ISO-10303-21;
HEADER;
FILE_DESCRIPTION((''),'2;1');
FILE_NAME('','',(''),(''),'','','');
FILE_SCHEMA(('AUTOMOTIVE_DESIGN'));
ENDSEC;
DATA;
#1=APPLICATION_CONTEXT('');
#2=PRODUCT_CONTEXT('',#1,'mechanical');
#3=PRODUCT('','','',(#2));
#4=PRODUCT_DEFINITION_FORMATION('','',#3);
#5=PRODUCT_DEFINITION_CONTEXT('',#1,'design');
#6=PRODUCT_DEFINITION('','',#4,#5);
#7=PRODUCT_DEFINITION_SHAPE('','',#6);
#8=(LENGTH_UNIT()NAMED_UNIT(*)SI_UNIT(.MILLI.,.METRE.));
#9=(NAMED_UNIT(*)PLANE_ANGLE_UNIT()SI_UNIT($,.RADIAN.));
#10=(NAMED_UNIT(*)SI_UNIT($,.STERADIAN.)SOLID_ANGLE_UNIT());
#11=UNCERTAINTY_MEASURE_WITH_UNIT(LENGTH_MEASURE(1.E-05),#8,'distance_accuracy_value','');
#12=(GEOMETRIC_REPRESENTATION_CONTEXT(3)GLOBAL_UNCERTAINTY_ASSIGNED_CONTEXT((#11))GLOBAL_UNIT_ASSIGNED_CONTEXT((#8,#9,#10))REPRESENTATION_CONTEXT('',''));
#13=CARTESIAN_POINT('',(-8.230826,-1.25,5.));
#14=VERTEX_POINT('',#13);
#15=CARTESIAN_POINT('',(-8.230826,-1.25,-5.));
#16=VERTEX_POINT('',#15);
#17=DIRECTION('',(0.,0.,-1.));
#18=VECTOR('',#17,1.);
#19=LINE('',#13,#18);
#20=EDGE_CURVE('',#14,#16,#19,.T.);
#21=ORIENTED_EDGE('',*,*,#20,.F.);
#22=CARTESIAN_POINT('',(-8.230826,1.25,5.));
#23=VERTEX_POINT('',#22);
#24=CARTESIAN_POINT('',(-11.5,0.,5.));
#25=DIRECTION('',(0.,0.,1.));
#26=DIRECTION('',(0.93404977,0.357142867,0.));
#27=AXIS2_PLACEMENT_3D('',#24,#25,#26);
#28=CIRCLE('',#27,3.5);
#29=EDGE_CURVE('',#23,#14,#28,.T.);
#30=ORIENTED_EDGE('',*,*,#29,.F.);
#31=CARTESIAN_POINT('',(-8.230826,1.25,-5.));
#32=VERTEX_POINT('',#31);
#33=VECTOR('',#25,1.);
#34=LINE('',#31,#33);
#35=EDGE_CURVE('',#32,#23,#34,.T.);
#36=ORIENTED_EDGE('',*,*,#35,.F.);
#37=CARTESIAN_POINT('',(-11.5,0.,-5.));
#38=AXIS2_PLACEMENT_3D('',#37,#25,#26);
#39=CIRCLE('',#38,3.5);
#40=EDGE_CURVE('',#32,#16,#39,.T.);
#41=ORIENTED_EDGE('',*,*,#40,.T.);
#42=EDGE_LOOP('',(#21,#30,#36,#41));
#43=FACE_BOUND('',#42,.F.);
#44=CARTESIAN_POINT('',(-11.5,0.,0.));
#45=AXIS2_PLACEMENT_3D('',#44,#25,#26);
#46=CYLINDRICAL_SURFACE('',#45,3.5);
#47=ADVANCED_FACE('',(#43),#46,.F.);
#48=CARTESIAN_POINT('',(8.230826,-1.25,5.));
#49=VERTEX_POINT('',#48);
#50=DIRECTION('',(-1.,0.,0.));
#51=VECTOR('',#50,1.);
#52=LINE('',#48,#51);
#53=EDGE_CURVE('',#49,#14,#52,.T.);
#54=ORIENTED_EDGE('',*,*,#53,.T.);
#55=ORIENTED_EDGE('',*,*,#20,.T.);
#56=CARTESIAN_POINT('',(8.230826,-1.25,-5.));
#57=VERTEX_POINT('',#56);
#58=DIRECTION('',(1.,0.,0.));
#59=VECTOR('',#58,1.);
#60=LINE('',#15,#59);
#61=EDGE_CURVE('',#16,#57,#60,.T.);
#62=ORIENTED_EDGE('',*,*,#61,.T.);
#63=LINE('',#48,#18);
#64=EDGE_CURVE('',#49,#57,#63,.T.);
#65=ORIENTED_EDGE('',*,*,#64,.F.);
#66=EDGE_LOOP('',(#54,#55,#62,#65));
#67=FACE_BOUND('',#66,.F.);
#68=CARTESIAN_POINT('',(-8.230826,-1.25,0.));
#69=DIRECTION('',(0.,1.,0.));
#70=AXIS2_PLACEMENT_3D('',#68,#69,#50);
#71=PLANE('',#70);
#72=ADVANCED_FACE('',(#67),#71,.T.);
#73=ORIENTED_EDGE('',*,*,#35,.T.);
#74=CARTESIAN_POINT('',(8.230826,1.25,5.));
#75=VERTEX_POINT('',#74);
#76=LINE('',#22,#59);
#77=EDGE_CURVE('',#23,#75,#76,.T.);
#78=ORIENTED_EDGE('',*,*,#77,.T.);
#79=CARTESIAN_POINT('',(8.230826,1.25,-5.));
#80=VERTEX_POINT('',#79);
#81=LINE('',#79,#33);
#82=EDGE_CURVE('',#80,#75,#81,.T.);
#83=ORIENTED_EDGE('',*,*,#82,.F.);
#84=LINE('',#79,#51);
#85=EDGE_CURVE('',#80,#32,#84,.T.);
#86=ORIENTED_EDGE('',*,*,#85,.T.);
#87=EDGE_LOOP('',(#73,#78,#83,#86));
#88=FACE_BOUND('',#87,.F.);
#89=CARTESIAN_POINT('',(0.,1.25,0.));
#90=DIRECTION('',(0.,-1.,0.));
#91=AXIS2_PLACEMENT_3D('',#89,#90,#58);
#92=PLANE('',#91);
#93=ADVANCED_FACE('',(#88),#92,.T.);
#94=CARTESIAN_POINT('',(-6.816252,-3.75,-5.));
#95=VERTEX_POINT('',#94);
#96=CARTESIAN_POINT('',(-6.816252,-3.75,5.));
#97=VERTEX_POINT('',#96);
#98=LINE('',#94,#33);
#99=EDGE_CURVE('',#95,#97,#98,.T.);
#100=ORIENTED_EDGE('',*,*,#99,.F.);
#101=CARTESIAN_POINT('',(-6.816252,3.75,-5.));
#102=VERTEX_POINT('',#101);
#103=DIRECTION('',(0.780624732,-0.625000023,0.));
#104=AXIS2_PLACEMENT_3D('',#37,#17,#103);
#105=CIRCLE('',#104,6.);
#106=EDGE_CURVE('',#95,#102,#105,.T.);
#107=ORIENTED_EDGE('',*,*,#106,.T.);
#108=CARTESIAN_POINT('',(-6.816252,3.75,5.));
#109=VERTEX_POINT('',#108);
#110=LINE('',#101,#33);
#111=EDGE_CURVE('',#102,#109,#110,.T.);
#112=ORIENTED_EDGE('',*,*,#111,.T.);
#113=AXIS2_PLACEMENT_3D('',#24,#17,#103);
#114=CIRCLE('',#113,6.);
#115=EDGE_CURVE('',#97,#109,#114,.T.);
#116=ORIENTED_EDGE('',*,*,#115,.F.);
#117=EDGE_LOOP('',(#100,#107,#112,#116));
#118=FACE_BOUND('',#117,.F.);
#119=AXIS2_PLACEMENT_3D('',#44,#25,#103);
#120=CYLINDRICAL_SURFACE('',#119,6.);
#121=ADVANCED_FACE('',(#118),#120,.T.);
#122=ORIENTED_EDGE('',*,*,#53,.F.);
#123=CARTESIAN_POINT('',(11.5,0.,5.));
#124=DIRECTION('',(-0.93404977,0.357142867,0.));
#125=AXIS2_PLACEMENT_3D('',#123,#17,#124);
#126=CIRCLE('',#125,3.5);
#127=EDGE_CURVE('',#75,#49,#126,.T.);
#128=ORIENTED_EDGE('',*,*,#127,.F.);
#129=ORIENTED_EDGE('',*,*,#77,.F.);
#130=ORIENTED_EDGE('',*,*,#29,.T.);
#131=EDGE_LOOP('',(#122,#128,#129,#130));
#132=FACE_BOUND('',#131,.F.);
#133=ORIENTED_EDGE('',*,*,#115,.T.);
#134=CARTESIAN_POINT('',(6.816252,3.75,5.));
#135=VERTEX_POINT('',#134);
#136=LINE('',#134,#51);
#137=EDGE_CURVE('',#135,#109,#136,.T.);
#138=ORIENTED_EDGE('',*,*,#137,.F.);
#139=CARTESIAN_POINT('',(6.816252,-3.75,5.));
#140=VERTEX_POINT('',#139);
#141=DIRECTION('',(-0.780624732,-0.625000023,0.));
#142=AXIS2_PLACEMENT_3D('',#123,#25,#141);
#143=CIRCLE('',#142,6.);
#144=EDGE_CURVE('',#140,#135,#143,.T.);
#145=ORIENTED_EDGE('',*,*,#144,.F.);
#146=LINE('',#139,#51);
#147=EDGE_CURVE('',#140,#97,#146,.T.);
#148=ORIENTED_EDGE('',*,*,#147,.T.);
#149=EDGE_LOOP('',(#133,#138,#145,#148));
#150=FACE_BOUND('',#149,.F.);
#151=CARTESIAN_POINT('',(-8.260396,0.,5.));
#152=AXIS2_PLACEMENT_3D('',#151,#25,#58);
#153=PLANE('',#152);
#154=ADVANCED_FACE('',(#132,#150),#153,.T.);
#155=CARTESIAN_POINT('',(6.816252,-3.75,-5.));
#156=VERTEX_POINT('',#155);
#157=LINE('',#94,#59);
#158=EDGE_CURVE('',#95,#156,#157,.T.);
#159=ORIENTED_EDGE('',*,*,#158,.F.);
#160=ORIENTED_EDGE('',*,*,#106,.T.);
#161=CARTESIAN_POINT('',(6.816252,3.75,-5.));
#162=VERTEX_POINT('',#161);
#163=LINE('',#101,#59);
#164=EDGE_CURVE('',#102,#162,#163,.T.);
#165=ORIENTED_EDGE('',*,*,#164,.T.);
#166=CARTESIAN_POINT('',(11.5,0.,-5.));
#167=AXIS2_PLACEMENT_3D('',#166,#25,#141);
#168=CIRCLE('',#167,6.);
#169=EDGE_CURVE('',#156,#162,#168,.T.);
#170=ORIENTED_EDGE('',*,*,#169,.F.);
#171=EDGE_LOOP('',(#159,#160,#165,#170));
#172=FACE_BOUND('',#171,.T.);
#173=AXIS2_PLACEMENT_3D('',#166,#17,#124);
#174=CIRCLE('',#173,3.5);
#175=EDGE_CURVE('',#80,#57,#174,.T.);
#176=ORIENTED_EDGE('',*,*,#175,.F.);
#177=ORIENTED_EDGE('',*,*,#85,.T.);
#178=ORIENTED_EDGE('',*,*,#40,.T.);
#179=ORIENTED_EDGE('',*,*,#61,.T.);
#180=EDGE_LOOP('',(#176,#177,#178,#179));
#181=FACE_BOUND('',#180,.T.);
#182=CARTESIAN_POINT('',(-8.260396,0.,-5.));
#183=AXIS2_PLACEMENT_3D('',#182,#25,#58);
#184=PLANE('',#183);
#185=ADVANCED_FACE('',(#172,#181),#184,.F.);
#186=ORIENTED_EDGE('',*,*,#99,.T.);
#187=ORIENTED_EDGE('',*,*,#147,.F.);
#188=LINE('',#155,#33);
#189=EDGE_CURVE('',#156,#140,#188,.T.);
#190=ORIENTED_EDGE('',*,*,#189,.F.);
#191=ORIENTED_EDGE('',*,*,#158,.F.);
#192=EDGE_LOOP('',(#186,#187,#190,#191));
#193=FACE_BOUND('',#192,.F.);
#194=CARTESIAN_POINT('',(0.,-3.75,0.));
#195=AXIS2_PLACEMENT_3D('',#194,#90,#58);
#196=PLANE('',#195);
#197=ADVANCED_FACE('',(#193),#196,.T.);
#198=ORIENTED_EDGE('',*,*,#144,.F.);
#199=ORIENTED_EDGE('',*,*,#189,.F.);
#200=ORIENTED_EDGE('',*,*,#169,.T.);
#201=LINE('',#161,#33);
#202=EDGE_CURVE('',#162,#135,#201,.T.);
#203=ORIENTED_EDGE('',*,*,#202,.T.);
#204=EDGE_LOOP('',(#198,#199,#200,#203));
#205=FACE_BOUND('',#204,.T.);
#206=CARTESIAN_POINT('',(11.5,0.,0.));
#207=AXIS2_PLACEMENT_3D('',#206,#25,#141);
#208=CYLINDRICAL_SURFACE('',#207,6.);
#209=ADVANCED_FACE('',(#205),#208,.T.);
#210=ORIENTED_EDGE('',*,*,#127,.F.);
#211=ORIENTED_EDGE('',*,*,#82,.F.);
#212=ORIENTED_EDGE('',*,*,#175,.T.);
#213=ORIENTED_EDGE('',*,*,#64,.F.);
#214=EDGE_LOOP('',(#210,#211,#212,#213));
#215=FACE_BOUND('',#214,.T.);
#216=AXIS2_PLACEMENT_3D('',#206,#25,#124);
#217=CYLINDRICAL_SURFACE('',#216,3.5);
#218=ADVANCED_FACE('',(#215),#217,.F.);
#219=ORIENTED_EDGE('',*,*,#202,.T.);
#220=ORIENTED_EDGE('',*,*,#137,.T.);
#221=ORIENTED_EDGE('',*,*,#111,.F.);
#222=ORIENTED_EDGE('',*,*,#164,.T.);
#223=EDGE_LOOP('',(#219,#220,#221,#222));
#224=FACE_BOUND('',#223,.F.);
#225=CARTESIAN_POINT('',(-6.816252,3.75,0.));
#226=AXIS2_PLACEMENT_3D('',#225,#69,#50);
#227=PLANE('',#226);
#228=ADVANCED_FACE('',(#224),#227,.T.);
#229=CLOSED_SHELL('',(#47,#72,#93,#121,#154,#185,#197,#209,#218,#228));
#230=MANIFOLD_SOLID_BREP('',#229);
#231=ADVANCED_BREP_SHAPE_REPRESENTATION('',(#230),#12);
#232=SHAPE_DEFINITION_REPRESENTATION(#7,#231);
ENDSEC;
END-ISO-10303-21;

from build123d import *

# Parameters (mm, degrees)
F1_DEPTH = 5


with BuildPart() as f1:
    # F0 (on Top) → F1 (new body, symmetric)
    with BuildSketch(Plane.XY):
        with BuildLine():
            Line((0, -3.75), (6.816252, -3.75))
            ThreePointArc((6.816252, -3.75), (17.5, 0), (6.816252, 3.75))
            Line((6.816252, 3.75), (0, 3.75))
            Line((0, 3.75), (0, 1.25))
            Line((0, 1.25), (8.230826, 1.25))
            ThreePointArc((8.230826, 1.25), (15, 0), (8.230826, -1.25))
            Line((8.230826, -1.25), (0, -1.25))
            Line((0, -1.25), (0, -3.75))
        make_face()
    extrude(amount=F1_DEPTH, both=True)

    # F2: F1 across plane


with BuildPart() as f1_1:
    add(f1.part)
    add(f1.part.mirror(Plane.YZ))


solid = f1_1.part
